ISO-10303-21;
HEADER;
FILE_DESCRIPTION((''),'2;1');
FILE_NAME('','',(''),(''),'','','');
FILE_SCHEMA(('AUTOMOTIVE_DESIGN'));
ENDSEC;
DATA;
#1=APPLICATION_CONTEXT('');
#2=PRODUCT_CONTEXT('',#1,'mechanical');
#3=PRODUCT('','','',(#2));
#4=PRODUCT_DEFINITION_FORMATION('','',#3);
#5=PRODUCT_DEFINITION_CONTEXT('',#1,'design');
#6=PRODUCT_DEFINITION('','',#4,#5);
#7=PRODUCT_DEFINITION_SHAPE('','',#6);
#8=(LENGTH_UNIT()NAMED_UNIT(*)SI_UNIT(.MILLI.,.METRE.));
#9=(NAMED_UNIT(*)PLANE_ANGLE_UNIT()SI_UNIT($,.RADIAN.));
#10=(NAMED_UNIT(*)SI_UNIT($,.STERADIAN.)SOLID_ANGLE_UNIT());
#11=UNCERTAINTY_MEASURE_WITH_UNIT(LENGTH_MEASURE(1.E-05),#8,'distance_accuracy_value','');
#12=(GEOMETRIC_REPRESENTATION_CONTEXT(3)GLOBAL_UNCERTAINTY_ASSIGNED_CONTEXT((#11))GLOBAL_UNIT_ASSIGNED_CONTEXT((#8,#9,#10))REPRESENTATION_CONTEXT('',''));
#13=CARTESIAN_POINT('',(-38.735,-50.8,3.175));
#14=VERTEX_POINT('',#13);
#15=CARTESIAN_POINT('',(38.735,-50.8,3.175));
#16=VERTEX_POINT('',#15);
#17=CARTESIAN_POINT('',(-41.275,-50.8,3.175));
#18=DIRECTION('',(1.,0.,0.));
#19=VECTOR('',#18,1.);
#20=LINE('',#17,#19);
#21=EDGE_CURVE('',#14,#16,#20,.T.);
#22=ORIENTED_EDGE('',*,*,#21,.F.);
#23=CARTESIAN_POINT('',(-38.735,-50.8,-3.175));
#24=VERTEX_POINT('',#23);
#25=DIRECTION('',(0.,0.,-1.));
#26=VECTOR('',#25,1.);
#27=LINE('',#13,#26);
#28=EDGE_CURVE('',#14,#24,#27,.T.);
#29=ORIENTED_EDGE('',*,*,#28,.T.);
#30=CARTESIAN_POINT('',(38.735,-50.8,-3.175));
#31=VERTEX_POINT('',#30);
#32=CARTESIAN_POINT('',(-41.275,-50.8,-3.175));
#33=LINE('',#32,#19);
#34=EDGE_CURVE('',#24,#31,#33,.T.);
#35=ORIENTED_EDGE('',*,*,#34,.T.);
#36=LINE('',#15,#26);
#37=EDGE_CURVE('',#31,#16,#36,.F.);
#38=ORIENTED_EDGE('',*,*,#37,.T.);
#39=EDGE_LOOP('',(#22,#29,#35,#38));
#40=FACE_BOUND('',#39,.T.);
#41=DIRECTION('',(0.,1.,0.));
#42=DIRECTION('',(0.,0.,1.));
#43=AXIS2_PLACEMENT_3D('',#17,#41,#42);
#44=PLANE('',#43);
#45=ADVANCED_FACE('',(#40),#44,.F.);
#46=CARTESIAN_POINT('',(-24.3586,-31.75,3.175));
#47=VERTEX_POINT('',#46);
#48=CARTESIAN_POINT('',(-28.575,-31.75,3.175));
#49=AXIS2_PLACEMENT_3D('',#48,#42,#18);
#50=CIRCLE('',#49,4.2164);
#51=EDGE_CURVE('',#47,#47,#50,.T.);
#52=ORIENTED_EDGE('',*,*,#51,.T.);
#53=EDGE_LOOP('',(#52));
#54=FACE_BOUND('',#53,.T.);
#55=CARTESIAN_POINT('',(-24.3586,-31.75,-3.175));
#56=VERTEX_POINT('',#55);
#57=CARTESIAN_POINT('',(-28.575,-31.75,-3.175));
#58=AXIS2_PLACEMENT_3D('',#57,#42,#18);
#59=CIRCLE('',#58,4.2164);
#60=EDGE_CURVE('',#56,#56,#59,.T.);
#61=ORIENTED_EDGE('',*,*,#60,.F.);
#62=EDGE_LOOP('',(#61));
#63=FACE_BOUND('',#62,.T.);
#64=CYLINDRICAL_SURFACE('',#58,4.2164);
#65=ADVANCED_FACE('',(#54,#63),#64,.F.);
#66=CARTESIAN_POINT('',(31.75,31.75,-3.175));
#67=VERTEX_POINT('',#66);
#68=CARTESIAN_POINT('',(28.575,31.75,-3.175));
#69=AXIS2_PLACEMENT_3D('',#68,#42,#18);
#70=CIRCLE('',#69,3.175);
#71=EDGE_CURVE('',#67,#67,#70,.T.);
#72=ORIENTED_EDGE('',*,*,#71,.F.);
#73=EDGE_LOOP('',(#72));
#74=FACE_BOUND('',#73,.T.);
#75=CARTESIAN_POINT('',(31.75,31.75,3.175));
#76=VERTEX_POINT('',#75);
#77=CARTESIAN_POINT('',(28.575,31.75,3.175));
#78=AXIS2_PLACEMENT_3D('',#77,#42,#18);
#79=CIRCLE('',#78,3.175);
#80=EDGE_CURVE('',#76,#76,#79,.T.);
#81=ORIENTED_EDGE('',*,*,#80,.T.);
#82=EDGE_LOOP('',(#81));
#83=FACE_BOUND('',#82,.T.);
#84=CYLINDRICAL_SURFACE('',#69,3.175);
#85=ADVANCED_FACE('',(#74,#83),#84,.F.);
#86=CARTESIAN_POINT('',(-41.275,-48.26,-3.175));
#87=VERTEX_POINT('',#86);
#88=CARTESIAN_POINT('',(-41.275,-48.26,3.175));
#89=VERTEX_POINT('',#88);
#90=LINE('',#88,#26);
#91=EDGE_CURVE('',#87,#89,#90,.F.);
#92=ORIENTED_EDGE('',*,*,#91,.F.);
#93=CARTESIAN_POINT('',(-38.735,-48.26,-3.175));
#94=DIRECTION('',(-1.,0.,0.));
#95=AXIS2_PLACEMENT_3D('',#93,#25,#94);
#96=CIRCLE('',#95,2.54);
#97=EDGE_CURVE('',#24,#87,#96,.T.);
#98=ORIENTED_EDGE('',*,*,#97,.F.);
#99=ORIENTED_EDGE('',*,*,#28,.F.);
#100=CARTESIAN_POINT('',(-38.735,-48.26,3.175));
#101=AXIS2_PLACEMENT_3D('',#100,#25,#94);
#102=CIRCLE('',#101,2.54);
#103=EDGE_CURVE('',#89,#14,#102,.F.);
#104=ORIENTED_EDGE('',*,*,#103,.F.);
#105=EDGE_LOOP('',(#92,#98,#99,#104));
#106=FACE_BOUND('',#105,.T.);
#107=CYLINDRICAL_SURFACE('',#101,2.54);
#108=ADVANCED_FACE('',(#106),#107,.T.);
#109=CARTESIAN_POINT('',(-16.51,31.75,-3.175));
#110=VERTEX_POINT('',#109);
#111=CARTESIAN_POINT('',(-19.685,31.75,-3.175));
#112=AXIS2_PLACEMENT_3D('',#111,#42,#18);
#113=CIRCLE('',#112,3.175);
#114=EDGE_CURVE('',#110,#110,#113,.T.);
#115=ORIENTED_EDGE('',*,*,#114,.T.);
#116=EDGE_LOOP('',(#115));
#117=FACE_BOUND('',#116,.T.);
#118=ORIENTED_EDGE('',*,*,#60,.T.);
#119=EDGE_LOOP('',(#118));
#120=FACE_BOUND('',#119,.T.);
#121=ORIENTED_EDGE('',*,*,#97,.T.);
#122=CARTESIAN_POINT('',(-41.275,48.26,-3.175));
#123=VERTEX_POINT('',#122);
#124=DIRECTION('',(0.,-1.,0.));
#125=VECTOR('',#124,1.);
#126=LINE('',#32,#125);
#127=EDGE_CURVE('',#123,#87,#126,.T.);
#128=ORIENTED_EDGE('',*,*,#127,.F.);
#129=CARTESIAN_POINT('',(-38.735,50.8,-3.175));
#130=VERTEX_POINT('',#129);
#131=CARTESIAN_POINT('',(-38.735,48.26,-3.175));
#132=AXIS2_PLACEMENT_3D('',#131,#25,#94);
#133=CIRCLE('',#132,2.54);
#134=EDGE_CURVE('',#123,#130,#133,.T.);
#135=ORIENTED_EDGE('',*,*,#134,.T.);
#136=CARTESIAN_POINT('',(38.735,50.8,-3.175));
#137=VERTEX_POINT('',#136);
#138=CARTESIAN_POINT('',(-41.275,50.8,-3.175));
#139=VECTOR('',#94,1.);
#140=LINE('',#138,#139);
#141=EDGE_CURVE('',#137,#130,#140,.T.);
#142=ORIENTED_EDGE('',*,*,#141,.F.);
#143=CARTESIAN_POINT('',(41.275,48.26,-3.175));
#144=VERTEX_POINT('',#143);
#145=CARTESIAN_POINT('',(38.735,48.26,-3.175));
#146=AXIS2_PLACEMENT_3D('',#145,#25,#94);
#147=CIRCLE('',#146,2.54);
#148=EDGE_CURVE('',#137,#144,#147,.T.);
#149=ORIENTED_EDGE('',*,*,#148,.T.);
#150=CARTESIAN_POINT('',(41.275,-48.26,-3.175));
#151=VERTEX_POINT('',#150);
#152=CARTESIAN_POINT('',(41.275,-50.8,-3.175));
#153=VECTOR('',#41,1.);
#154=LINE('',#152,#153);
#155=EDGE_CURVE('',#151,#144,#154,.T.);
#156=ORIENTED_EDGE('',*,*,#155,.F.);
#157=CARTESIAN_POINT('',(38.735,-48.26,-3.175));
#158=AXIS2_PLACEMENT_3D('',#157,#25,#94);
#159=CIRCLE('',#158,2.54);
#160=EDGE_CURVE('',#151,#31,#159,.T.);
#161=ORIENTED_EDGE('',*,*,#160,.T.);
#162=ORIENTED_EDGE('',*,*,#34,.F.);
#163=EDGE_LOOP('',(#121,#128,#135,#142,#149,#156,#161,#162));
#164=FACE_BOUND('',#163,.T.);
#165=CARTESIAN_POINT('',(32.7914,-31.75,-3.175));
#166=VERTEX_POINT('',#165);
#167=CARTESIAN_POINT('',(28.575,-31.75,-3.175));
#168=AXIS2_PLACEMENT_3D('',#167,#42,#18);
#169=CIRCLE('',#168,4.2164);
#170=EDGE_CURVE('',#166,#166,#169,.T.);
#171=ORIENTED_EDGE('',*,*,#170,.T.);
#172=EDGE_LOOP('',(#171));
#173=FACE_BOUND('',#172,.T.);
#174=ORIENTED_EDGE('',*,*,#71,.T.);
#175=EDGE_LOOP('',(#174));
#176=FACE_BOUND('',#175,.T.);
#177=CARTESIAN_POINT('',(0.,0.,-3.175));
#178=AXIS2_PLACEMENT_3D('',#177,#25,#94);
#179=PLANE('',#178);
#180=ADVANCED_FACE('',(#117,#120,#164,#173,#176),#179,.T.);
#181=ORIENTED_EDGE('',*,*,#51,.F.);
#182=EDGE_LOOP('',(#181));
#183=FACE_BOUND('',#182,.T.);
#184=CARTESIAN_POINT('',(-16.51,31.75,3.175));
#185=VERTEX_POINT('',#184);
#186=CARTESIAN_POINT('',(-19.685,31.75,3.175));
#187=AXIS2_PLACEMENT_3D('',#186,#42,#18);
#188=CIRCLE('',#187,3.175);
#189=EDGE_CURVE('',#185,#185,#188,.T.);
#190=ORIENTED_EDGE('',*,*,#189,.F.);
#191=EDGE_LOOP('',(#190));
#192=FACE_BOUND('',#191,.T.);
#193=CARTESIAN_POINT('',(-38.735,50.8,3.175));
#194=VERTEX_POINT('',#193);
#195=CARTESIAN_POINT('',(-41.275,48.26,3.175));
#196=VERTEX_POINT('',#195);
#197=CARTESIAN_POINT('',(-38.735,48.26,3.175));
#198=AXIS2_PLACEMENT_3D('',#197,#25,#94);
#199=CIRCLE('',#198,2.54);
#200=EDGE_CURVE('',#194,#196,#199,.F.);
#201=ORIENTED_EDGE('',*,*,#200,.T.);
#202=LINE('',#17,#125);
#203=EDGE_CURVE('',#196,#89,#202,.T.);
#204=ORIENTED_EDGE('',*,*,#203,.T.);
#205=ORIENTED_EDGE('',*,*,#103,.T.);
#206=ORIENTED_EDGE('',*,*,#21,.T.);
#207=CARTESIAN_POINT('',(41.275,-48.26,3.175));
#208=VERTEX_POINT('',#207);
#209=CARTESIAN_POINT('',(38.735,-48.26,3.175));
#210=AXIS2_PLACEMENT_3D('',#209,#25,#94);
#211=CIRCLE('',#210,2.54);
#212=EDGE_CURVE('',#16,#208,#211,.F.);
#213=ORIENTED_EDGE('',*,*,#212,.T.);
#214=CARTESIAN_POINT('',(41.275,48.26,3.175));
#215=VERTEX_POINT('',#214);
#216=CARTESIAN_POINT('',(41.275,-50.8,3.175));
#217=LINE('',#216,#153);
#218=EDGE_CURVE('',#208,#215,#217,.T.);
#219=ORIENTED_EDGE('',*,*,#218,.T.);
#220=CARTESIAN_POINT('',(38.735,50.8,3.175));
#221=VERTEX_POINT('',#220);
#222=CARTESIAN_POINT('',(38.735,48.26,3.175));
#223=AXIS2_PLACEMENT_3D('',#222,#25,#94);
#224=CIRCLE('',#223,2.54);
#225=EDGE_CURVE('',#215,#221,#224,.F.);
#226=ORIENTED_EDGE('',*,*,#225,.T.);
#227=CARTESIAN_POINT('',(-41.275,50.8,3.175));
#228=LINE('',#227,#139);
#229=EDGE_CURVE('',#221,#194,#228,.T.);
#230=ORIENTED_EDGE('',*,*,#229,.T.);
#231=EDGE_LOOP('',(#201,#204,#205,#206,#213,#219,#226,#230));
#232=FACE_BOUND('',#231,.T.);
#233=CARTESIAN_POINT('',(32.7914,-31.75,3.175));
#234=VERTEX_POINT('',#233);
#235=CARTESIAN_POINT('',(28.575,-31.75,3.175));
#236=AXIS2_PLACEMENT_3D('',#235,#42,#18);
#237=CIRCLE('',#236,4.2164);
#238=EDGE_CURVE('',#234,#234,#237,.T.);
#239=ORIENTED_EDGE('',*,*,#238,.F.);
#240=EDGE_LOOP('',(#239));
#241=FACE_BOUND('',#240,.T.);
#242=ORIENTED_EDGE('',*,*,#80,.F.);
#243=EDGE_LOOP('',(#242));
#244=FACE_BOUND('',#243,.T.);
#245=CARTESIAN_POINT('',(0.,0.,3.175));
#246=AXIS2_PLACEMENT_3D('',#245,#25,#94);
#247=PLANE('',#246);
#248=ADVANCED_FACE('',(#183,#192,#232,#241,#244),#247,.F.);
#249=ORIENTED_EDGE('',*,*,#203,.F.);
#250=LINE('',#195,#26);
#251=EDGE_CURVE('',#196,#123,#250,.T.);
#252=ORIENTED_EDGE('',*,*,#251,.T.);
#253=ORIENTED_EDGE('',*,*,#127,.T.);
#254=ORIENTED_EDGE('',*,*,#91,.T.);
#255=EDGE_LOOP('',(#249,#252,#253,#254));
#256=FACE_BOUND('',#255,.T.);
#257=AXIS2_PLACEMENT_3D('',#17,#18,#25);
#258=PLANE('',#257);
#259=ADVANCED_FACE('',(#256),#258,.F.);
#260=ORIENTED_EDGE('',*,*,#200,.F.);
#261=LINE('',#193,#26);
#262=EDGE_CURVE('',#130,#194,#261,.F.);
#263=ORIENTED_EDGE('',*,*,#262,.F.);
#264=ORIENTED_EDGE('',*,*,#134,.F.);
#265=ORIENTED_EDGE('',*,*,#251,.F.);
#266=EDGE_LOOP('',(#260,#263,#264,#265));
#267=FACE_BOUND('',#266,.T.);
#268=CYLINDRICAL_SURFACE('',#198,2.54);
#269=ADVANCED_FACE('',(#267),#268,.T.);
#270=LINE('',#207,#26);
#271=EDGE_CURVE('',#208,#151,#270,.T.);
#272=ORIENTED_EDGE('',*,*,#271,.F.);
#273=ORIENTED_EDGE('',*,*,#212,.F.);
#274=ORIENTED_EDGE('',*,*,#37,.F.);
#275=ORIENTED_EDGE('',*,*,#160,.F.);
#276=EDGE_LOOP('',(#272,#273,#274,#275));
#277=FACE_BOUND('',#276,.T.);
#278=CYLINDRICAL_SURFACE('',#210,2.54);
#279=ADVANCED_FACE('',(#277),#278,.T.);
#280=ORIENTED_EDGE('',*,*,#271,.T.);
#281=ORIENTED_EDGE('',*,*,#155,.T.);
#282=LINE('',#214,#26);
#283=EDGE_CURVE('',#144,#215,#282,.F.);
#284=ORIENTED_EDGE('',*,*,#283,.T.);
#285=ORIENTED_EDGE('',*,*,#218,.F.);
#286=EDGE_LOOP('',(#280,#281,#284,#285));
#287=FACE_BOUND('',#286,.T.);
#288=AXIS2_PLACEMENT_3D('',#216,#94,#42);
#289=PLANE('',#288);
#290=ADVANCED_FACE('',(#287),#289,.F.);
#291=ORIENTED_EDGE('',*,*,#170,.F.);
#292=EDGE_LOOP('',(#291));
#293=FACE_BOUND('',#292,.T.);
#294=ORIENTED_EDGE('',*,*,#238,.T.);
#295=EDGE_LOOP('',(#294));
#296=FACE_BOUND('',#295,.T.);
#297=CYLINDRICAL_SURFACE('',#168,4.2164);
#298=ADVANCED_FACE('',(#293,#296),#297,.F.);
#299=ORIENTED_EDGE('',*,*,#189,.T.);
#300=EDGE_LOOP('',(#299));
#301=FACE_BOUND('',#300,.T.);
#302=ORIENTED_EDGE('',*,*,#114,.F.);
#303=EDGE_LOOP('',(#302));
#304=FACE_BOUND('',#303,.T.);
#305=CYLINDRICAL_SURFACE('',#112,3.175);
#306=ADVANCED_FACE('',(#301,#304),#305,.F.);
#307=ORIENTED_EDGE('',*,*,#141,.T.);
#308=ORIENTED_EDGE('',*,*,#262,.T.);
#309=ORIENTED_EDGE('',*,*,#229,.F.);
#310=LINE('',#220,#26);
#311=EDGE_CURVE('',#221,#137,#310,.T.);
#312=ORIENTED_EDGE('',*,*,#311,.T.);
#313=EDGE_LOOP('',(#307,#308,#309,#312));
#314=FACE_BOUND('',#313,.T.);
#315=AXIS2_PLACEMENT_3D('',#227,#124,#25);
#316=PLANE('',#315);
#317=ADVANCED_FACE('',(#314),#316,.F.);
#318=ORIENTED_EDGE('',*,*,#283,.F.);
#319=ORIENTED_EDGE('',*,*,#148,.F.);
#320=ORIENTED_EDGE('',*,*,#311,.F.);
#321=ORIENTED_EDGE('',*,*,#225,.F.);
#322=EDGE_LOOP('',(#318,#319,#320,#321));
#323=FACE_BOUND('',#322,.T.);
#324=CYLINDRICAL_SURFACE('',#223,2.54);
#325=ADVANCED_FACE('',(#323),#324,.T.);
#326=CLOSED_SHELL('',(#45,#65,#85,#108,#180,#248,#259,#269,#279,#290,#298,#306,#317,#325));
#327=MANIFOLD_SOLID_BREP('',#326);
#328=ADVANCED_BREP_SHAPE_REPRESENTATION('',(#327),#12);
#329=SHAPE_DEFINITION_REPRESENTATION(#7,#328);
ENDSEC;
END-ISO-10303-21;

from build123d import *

# Parameters (mm, degrees)
SKETCH1_W           = 82.55
SKETCH1_H           = 101.6
BOSS_EXTRUDE1_DEPTH = 3.175
SKETCH2_R           = 3.175
SKETCH2_R_2         = 4.2164
CUT_EXTRUDE1_DEPTH  = 66.761600688
FILLET1_R           = 2.54


with BuildPart() as part:
    # Sketch1 → Boss-Extrude1 (new, symmetric)
    with BuildSketch(Plane.XY):
        Rectangle(SKETCH1_W, SKETCH1_H)
    extrude(amount=BOSS_EXTRUDE1_DEPTH, both=True)

    # Sketch2 → Cut-Extrude1 (cut, through all)
    with BuildSketch(Plane.XY.offset(3.175)):
        with Locations((-19.685, 31.75)):
            Circle(SKETCH2_R)
        with Locations((28.575, -31.75)):
            Circle(SKETCH2_R_2)
        with Locations((-28.575, -31.75)):
            Circle(SKETCH2_R_2)
        with Locations((28.575, 31.75)):
            Circle(SKETCH2_R)
    extrude(amount=-CUT_EXTRUDE1_DEPTH, mode=Mode.SUBTRACT)

    # Fillet1
    fillet1_edges = [part.edges().sort_by_distance(p)[0] for p in [
        (41.275, -50.8, 0),
        (-41.275, -50.8, 0),
        (-41.275, 50.8, 0),
        (41.275, 50.8, 0),
    ]]
    fillet(fillet1_edges, radius=FILLET1_R)


solid = part.part
